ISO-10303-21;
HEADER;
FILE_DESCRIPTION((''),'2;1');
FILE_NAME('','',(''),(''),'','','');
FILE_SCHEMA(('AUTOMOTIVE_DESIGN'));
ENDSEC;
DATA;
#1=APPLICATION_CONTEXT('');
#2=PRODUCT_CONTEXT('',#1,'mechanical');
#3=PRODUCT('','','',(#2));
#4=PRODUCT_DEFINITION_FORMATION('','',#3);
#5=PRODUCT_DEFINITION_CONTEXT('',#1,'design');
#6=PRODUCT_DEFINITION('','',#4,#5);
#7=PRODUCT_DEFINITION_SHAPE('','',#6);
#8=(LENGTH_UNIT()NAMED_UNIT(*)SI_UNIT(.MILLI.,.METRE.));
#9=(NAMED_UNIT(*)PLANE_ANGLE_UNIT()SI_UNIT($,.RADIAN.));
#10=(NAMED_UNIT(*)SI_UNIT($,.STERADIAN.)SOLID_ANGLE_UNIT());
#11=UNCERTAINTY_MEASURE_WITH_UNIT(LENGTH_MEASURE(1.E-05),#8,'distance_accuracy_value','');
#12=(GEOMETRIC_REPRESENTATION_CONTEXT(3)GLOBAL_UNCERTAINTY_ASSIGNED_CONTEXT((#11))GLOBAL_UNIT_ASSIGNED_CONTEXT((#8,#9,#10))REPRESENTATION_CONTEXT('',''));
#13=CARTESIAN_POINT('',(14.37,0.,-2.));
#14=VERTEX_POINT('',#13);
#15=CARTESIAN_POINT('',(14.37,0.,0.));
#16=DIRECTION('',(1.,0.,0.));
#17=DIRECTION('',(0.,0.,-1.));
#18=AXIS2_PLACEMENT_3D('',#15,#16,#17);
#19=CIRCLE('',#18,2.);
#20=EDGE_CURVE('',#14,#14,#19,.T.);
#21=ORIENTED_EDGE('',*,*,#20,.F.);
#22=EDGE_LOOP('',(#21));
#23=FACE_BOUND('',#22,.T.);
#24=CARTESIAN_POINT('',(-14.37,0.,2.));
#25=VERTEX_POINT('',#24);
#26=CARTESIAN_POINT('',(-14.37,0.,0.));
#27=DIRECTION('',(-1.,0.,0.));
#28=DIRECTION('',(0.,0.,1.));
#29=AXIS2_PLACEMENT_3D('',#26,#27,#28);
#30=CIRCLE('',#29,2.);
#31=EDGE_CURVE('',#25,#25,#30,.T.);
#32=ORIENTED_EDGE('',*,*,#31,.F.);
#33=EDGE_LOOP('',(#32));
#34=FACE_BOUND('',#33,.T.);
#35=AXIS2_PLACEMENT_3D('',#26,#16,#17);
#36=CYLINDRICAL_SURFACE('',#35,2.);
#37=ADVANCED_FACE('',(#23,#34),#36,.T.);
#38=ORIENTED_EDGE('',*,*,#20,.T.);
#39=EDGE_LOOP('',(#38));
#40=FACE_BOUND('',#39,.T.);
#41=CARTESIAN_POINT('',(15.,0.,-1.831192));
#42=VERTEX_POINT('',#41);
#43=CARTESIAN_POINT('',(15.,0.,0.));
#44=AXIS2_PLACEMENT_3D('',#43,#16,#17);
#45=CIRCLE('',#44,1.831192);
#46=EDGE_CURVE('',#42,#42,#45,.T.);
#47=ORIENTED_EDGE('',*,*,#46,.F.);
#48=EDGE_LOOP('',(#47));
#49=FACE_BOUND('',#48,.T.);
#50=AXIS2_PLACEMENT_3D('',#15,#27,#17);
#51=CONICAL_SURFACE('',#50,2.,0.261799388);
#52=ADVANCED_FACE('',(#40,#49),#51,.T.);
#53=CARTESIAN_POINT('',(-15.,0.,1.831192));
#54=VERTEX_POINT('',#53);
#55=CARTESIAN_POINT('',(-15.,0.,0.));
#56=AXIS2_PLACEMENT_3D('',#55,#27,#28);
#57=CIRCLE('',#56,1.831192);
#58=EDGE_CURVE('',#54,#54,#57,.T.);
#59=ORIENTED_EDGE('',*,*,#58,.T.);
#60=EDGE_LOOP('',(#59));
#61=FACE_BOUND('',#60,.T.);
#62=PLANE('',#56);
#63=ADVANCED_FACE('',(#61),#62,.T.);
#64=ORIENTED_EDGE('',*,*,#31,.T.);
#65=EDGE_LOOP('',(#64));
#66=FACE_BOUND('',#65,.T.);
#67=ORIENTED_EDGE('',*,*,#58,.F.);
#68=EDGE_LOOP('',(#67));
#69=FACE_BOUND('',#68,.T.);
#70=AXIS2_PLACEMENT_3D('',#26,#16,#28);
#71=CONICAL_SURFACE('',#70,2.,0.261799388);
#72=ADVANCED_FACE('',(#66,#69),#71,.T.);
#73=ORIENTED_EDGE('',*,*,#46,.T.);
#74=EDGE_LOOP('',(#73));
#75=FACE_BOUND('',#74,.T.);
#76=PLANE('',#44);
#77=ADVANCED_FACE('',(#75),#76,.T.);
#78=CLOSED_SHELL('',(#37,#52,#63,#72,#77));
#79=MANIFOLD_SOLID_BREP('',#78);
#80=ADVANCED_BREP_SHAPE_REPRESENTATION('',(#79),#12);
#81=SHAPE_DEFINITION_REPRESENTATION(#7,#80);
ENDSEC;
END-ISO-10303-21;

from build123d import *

# Parameters (mm, degrees)
SKETCH2_R           = 2
EXTRUDE1_DEPTH      = 14.37
EXTRUDE1_DEPTH_BACK = 14.37
SKETCH3_R           = 2
EXTRUDE2_DEPTH      = 0.63
EXTRUDE2_TAPER      = 15
SKETCH4_R           = 2
EXTRUDE3_DEPTH      = 0.63
EXTRUDE3_TAPER      = 15


with BuildPart() as part:
    # Sketch2 → Extrude1 (new body, two sides)
    with BuildSketch(Plane(origin=(0, 0, 0), x_dir=(0, 0, -1), z_dir=(1, 0, 0))) as extrude1_sk:
        Circle(SKETCH2_R)
    extrude(amount=EXTRUDE1_DEPTH)
    extrude(extrude1_sk.sketch, amount=-EXTRUDE1_DEPTH_BACK)

    # Sketch3 → Extrude2 (add)
    with BuildSketch(Plane(origin=(14.37, 0, 0), x_dir=(0, 0, -1), z_dir=(1, 0, 0))):
        Circle(SKETCH3_R)
    extrude(amount=EXTRUDE2_DEPTH, taper=EXTRUDE2_TAPER)

    # Sketch4 → Extrude3 (add)
    with BuildSketch(Plane.ZY.offset(14.37)):
        Circle(SKETCH4_R)
    extrude(amount=EXTRUDE3_DEPTH, taper=EXTRUDE3_TAPER)


solid = part.part
